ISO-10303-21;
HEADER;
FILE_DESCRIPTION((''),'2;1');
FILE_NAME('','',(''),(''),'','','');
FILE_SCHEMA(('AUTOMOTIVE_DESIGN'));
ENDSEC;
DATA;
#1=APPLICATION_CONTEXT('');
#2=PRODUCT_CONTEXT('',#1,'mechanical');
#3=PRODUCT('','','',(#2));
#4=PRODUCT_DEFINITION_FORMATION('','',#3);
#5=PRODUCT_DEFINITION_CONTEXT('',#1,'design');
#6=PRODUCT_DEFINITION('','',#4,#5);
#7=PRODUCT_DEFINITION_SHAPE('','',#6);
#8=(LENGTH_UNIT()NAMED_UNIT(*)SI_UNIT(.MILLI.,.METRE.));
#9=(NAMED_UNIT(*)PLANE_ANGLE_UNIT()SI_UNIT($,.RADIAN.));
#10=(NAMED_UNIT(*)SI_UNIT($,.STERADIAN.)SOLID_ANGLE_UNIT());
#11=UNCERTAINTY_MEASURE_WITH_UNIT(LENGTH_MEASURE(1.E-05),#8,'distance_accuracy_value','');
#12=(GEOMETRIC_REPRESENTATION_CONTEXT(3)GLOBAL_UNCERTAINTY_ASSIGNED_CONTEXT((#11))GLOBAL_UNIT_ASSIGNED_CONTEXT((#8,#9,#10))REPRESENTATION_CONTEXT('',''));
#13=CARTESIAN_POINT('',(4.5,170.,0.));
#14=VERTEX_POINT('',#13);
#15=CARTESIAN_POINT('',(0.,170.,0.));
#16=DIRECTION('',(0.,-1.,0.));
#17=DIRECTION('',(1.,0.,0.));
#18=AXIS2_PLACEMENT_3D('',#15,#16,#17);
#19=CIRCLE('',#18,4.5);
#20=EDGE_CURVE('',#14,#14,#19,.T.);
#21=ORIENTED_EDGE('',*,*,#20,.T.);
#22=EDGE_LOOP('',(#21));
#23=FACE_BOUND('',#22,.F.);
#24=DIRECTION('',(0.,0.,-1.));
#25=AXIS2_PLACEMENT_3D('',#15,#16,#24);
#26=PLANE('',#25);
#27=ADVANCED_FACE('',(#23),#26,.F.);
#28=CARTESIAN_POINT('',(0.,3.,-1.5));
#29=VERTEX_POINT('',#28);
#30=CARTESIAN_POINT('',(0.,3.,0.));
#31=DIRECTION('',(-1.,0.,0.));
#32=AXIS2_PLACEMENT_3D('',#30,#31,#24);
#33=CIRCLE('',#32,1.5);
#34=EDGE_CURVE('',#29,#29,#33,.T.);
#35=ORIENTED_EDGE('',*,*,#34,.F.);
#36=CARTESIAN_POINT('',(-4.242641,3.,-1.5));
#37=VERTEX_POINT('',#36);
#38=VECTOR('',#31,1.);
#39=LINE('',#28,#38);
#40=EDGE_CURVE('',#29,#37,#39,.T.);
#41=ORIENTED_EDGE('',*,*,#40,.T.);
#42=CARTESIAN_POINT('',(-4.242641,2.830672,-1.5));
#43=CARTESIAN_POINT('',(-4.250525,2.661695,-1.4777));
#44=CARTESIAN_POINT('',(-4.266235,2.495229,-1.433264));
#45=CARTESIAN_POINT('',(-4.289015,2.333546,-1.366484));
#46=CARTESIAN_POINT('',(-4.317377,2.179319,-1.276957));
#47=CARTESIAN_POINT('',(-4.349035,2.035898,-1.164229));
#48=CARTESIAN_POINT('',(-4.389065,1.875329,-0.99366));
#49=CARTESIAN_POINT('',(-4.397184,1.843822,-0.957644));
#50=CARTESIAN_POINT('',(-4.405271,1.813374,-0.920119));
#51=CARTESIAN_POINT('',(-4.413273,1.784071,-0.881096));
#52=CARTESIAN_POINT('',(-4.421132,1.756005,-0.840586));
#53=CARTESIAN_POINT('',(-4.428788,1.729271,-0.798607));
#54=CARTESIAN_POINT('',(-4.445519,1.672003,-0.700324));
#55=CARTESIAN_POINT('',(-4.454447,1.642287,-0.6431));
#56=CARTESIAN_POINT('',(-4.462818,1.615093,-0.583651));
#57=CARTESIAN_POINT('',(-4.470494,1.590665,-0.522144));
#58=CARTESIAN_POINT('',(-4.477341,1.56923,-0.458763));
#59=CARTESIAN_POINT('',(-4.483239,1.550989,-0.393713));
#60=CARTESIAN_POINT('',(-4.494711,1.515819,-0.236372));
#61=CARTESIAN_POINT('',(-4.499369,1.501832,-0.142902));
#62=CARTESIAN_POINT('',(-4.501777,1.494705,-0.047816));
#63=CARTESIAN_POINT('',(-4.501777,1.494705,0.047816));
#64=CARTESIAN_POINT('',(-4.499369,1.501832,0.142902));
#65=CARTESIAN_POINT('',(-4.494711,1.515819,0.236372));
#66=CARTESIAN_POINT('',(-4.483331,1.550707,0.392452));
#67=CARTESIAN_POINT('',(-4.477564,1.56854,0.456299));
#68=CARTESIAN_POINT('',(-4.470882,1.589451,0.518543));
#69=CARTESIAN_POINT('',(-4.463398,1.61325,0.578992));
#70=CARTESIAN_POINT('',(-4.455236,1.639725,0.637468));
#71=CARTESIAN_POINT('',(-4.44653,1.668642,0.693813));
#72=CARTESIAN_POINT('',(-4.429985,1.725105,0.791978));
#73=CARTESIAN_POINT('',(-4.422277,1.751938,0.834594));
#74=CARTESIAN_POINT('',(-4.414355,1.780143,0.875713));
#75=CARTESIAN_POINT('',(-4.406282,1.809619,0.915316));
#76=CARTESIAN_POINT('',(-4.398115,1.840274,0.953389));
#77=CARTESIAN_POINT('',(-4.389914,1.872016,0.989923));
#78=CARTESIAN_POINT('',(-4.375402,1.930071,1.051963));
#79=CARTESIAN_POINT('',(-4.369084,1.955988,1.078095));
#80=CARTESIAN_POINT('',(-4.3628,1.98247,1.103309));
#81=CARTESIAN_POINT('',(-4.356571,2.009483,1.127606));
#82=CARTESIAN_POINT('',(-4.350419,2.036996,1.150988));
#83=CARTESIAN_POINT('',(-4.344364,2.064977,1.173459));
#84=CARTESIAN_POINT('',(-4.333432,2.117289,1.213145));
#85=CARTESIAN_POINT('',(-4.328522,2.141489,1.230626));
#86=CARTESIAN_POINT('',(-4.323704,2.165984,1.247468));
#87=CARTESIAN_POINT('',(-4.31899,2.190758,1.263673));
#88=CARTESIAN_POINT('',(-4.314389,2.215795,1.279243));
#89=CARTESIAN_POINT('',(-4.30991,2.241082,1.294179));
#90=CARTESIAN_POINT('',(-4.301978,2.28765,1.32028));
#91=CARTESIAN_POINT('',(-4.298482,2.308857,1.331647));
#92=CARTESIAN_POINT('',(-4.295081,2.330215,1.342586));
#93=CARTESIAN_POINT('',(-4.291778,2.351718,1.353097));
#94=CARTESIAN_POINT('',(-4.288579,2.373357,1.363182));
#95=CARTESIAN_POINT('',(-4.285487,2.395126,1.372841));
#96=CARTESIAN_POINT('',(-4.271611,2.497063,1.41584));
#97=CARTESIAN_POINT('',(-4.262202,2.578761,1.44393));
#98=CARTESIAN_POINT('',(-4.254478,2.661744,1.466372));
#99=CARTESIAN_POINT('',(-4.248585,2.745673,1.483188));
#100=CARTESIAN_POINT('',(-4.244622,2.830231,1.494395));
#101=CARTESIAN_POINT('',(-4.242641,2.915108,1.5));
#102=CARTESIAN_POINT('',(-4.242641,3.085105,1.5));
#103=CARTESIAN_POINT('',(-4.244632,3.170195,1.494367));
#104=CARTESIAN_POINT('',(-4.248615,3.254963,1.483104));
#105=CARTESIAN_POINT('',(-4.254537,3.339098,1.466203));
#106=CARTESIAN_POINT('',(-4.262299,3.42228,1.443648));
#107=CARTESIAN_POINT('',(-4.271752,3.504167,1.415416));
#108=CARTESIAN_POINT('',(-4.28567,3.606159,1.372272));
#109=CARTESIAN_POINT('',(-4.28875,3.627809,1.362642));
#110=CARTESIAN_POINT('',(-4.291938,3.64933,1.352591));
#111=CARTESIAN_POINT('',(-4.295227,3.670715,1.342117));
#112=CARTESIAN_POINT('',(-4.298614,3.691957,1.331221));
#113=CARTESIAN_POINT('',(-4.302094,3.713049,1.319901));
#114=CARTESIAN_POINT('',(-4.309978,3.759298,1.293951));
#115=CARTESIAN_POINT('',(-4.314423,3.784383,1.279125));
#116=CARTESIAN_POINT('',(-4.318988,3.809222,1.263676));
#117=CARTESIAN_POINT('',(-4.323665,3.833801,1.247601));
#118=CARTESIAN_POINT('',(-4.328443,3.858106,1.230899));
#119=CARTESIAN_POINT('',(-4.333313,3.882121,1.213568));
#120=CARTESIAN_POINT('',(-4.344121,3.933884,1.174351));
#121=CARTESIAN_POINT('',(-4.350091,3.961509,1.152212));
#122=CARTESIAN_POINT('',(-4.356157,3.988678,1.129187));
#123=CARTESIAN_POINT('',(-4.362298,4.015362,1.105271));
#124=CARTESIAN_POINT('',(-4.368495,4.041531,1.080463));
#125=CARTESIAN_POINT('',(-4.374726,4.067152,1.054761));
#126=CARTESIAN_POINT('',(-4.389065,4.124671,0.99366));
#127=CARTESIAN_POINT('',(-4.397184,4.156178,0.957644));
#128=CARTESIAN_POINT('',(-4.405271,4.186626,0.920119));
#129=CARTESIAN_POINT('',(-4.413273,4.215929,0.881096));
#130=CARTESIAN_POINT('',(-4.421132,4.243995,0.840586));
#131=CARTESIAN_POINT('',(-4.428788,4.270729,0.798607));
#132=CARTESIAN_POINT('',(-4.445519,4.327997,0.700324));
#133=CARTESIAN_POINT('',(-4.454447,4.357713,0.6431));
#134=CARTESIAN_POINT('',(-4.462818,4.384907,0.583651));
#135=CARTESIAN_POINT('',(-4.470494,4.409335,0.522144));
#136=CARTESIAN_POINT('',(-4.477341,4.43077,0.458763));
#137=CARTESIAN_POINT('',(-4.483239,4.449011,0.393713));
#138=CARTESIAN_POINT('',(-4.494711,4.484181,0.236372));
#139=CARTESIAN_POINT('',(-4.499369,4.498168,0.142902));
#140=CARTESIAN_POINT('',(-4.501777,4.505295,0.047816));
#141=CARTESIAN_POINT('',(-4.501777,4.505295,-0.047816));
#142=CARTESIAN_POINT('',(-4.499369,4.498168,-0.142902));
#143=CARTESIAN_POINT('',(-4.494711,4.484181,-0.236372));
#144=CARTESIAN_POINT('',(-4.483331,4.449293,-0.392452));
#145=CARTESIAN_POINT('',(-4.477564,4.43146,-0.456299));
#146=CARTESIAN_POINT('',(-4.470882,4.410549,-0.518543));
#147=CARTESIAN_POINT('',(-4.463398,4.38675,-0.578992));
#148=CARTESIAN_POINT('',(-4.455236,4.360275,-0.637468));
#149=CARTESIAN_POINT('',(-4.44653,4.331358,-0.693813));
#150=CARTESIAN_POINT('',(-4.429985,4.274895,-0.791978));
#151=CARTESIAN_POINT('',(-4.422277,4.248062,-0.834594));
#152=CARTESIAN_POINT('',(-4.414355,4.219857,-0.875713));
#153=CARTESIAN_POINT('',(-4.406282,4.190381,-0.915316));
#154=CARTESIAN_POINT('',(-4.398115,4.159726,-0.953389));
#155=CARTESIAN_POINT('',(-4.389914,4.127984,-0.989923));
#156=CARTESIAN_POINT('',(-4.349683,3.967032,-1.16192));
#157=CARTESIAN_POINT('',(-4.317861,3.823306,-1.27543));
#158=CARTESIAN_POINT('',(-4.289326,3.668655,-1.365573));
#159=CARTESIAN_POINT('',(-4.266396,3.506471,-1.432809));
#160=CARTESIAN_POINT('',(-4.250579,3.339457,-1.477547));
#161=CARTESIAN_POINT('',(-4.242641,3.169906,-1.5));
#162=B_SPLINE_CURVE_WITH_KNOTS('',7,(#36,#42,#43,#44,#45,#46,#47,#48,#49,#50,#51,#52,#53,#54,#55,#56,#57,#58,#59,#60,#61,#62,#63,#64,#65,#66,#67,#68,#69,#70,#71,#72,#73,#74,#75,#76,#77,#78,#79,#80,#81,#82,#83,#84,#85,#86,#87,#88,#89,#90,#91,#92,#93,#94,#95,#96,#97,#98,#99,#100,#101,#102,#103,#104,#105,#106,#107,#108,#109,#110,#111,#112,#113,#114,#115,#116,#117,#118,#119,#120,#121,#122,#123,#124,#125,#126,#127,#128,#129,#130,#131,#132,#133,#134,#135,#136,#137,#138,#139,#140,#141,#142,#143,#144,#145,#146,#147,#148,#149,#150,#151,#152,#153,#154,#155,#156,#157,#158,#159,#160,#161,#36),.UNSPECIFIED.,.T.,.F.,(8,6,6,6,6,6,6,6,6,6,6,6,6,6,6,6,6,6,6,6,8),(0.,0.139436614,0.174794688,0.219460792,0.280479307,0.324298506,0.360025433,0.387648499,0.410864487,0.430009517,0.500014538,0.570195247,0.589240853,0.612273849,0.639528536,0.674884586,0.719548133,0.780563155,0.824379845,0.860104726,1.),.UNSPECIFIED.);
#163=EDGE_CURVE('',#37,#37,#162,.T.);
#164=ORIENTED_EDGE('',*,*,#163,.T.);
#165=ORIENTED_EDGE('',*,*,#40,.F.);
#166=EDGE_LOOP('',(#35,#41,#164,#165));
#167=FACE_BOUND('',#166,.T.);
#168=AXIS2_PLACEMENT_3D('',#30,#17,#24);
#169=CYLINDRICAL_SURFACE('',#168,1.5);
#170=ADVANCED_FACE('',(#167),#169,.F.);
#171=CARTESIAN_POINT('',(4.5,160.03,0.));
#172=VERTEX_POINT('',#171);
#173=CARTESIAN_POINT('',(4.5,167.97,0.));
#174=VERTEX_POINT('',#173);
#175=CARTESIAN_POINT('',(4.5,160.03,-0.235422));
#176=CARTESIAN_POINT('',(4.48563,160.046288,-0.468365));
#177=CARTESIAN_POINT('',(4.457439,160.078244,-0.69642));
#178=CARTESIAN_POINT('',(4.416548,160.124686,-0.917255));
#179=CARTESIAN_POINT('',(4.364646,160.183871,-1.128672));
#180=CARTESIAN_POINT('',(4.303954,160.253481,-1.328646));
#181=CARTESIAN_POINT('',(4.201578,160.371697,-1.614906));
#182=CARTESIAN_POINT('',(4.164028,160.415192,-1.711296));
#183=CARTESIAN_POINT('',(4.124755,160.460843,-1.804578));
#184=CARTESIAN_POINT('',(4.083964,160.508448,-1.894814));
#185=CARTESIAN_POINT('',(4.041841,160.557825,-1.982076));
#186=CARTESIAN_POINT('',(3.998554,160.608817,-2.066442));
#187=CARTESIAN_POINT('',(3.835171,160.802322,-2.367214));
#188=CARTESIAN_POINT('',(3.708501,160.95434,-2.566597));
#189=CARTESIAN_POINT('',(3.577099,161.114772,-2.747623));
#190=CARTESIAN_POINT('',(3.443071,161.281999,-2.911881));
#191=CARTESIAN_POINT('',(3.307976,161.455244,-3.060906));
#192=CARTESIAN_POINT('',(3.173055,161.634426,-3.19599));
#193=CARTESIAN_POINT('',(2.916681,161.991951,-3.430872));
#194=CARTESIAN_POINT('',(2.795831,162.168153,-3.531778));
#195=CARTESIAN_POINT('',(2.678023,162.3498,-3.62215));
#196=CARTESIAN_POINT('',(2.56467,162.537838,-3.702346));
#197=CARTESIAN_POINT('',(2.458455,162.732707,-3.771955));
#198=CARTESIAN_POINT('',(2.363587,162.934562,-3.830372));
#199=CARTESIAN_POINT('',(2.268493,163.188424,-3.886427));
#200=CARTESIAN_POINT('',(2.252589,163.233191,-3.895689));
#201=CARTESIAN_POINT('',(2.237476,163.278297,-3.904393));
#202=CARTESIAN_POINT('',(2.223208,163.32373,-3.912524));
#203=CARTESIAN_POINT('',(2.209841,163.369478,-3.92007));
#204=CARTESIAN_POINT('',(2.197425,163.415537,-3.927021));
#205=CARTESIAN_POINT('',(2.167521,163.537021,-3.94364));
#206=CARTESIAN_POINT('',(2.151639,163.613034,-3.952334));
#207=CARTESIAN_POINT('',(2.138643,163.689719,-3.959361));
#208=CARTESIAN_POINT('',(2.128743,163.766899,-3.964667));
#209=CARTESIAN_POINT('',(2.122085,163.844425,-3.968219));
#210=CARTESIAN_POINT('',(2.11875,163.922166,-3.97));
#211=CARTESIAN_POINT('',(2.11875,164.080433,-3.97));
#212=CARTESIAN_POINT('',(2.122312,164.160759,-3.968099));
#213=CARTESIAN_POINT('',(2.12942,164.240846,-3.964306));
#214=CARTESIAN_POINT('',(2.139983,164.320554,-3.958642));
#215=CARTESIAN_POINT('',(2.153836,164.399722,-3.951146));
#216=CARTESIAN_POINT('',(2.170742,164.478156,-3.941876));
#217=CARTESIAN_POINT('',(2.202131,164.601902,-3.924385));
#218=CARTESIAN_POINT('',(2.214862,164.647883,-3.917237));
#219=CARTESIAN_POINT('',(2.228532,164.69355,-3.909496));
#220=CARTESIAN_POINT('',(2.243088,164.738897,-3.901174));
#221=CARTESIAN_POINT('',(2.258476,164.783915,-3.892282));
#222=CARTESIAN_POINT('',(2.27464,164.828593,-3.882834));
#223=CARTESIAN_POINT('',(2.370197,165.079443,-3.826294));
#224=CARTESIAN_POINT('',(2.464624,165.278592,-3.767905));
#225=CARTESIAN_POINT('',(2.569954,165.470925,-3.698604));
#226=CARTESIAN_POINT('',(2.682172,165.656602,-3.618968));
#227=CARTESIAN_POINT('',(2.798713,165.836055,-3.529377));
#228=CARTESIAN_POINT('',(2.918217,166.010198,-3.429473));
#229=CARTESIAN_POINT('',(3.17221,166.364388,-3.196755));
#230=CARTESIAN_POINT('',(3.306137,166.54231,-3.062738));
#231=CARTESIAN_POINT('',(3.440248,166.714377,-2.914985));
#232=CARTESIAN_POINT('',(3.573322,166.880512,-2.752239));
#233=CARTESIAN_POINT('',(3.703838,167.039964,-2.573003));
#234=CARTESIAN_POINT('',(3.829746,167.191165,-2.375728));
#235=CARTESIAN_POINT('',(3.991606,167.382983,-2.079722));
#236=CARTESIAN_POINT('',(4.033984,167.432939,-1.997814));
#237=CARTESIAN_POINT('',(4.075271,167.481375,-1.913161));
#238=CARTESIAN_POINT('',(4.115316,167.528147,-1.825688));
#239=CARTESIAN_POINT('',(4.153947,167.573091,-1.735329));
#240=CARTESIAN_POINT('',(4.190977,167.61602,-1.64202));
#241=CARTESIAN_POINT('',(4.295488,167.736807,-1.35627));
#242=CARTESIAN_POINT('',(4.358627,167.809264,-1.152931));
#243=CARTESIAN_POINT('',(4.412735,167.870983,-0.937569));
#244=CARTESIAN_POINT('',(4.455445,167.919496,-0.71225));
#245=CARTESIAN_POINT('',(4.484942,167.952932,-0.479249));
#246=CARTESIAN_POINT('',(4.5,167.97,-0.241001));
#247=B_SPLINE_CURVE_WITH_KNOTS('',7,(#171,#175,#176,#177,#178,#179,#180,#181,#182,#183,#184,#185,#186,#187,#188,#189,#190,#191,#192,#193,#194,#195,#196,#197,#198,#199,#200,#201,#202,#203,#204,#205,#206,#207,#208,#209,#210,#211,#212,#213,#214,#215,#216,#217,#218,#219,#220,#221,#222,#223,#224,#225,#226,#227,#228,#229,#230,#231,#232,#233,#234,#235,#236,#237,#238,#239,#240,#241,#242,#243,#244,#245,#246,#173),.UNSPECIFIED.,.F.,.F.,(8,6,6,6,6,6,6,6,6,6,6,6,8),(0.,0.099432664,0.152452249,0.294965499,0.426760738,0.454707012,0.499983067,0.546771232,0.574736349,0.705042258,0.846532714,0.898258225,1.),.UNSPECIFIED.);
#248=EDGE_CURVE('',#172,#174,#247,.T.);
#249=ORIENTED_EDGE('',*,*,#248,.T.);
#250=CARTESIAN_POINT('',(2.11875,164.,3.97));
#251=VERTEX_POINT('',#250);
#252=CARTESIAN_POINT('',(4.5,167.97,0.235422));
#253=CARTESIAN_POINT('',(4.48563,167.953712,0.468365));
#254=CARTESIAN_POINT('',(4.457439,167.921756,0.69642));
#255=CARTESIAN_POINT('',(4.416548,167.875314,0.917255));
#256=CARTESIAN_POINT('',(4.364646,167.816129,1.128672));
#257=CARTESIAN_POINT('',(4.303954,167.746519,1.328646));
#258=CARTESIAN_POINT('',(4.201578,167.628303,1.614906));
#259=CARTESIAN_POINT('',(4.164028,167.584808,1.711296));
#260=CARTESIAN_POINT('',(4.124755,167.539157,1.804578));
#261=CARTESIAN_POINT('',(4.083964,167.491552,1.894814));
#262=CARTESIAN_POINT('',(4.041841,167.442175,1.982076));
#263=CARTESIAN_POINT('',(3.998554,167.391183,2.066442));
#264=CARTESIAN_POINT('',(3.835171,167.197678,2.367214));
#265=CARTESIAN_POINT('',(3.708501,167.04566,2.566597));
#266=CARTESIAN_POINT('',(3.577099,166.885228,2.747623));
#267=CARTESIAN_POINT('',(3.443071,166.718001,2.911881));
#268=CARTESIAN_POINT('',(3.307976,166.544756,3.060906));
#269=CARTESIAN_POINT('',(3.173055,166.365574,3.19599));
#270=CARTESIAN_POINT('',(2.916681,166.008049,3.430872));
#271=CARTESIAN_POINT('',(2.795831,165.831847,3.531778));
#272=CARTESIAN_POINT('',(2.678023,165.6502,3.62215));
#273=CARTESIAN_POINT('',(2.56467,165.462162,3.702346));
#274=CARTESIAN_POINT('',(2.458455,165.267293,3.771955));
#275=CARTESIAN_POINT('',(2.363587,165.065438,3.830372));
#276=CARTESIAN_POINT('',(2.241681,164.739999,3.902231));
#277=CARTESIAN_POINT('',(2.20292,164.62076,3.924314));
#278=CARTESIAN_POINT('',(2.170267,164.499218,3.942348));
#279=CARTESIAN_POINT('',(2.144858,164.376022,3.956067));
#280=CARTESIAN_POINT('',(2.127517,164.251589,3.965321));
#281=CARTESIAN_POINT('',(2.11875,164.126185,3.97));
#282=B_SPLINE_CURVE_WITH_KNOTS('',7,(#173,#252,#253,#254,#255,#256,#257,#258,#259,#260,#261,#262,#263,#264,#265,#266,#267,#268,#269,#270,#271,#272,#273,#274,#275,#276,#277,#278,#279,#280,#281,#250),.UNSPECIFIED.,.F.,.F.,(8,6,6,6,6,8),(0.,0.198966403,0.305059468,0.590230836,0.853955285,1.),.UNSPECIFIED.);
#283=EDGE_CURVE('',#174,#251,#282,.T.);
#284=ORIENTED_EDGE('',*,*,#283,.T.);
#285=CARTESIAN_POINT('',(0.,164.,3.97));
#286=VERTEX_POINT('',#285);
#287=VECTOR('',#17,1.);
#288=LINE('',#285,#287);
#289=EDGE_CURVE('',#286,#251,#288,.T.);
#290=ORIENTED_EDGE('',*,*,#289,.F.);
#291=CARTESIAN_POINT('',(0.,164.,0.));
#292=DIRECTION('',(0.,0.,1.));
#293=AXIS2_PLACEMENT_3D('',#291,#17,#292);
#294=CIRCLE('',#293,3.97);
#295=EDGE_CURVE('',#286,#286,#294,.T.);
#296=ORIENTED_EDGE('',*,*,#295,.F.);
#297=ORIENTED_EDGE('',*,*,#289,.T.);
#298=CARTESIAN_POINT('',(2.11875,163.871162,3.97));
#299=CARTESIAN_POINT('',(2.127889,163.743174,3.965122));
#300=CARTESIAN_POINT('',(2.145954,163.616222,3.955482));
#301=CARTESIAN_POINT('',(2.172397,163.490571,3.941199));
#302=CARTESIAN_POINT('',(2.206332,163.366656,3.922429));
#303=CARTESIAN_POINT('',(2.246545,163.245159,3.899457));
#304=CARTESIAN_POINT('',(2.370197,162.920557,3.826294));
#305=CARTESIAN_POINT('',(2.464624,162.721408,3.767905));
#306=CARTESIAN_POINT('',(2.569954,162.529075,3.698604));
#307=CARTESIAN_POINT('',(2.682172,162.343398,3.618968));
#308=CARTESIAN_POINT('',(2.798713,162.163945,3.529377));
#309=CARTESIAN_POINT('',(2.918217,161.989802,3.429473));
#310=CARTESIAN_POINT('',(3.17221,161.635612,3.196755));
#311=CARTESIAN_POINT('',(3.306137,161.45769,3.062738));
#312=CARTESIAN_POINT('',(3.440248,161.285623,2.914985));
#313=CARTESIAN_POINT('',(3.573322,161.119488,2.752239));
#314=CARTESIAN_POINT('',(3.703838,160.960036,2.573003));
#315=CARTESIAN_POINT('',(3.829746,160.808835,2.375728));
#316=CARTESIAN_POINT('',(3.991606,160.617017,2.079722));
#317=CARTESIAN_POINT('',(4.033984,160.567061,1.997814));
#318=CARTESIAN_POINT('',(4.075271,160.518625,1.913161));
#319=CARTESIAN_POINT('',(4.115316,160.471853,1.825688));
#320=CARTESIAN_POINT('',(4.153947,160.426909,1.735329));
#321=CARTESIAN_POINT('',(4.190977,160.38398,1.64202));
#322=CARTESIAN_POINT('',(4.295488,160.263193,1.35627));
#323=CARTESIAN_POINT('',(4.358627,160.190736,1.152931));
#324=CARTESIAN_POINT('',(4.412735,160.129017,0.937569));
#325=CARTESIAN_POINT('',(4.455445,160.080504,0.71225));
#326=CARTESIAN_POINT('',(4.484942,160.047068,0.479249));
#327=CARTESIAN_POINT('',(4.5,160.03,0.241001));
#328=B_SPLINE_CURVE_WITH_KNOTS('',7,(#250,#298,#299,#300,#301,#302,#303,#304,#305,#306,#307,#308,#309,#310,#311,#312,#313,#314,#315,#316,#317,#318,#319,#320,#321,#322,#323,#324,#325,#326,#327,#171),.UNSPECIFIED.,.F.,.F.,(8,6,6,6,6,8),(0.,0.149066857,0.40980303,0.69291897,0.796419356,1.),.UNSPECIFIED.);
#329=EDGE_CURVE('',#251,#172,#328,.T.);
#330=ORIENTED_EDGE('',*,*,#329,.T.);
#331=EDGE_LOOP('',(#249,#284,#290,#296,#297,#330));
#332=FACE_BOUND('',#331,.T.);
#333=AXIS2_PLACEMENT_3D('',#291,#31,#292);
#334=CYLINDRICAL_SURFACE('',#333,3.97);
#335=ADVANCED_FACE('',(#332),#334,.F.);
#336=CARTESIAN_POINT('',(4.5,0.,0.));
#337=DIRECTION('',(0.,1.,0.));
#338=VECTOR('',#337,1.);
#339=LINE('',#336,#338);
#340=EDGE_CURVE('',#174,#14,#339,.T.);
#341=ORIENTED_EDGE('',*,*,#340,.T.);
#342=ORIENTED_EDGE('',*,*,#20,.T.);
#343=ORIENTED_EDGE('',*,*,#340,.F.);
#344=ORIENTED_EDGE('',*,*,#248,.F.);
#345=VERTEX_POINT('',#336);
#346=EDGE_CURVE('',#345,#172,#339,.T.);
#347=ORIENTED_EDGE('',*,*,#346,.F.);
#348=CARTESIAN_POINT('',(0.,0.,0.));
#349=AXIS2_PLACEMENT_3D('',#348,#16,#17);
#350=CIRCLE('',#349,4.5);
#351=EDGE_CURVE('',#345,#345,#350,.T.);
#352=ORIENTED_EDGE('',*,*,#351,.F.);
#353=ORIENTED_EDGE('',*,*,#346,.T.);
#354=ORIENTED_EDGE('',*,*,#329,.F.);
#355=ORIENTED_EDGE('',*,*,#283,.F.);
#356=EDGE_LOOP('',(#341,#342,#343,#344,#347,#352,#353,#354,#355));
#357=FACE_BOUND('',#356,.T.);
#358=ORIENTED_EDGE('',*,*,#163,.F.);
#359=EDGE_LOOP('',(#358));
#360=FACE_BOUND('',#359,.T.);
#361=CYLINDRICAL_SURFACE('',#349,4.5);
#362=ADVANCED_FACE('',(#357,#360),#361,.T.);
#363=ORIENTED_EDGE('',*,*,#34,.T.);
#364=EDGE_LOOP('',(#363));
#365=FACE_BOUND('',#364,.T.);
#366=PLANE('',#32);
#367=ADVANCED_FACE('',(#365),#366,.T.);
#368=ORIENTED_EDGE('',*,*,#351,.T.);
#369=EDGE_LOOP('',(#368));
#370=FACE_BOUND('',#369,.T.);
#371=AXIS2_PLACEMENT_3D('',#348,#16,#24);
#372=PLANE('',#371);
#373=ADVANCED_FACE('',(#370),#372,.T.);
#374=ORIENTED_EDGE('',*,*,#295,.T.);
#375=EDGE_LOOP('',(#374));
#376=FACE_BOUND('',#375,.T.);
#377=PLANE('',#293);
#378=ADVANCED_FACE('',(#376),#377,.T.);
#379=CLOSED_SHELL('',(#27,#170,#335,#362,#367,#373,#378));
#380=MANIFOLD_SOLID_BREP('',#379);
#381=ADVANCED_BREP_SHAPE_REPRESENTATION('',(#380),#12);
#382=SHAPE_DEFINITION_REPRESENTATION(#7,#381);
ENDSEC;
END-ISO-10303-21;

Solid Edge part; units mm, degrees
sketch "Sketch1" plane through (0, 0, 0) normal (0, -1, 0) x (1, 0, 0)
  circle A0 centre (0, 0) radius 4.5
  dimension "D1" = 9
extrude "Protrusion1" add sketch "Sketch1" against normal blind 170
hole "Hole_1" at (0, 3, 0) direction (-1, 0, 0) diameter 3 end up to next
hole "Hole_4" at (0, 164, 0) direction (1, 0, 0) diameter 7.94 end up to next
